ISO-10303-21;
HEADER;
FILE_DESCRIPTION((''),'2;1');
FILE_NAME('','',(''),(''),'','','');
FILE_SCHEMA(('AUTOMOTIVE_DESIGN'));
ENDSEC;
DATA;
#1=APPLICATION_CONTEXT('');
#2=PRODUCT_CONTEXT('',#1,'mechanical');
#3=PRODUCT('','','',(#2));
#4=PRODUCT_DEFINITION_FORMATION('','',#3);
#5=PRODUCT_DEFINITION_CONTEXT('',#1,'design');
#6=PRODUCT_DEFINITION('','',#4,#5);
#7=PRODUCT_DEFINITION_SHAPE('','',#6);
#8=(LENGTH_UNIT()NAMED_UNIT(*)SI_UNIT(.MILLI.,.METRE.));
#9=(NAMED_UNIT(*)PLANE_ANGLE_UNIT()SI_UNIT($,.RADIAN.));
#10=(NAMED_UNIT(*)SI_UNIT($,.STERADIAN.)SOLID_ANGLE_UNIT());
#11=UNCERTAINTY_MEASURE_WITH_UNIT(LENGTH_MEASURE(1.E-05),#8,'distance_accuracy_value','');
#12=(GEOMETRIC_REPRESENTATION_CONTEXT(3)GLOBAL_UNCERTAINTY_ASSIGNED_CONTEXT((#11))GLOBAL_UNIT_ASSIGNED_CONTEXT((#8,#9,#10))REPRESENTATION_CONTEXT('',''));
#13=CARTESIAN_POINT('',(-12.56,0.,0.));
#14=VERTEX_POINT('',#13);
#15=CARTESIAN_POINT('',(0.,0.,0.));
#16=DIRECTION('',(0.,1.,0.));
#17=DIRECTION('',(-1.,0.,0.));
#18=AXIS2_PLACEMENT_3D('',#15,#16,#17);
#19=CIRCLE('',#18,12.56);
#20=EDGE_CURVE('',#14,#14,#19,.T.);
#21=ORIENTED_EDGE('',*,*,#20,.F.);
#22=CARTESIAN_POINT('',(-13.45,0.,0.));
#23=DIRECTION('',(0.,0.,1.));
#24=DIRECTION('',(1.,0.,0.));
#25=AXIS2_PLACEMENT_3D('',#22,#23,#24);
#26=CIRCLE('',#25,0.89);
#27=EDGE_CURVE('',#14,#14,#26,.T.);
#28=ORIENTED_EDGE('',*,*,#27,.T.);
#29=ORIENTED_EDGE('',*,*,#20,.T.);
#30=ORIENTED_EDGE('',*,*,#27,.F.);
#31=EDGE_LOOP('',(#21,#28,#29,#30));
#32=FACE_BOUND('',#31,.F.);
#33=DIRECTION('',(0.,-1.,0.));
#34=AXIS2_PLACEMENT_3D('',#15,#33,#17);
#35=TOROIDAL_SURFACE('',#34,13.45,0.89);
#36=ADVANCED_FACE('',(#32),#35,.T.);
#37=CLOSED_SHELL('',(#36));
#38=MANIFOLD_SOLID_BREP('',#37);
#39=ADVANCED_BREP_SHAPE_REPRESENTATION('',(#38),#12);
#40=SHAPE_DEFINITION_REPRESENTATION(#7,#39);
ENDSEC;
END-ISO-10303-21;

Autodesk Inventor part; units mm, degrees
ref_plane "YZ Plane" through (0, 0, 0) normal (1, 0, 0) x (0, 1, 0)
ref_plane "XZ Plane" through (0, 0, 0) normal (0, 1, 0) x (-1, 0, 0)
ref_plane "XY Plane" through (0, 0, 0) normal (0, 0, 1) x (1, 0, 0)
sketch "Sketch1" plane through (0, 0, 0) normal (0, 0, 1) x (1, 0, 0)
  circle A0 centre (-13.45, 0) radius 0.89
  line L0 (0, 0) -> (0, 2.541)
  dimension "d0" = 1.78
  dimension "d1" = 13.45
revolve "Revolution1" add sketch "Sketch1" angle 360 about axis through (0, 0, 0) along (0, 1, 0)
properties part number "Oring 2-022" material "Rubber"
